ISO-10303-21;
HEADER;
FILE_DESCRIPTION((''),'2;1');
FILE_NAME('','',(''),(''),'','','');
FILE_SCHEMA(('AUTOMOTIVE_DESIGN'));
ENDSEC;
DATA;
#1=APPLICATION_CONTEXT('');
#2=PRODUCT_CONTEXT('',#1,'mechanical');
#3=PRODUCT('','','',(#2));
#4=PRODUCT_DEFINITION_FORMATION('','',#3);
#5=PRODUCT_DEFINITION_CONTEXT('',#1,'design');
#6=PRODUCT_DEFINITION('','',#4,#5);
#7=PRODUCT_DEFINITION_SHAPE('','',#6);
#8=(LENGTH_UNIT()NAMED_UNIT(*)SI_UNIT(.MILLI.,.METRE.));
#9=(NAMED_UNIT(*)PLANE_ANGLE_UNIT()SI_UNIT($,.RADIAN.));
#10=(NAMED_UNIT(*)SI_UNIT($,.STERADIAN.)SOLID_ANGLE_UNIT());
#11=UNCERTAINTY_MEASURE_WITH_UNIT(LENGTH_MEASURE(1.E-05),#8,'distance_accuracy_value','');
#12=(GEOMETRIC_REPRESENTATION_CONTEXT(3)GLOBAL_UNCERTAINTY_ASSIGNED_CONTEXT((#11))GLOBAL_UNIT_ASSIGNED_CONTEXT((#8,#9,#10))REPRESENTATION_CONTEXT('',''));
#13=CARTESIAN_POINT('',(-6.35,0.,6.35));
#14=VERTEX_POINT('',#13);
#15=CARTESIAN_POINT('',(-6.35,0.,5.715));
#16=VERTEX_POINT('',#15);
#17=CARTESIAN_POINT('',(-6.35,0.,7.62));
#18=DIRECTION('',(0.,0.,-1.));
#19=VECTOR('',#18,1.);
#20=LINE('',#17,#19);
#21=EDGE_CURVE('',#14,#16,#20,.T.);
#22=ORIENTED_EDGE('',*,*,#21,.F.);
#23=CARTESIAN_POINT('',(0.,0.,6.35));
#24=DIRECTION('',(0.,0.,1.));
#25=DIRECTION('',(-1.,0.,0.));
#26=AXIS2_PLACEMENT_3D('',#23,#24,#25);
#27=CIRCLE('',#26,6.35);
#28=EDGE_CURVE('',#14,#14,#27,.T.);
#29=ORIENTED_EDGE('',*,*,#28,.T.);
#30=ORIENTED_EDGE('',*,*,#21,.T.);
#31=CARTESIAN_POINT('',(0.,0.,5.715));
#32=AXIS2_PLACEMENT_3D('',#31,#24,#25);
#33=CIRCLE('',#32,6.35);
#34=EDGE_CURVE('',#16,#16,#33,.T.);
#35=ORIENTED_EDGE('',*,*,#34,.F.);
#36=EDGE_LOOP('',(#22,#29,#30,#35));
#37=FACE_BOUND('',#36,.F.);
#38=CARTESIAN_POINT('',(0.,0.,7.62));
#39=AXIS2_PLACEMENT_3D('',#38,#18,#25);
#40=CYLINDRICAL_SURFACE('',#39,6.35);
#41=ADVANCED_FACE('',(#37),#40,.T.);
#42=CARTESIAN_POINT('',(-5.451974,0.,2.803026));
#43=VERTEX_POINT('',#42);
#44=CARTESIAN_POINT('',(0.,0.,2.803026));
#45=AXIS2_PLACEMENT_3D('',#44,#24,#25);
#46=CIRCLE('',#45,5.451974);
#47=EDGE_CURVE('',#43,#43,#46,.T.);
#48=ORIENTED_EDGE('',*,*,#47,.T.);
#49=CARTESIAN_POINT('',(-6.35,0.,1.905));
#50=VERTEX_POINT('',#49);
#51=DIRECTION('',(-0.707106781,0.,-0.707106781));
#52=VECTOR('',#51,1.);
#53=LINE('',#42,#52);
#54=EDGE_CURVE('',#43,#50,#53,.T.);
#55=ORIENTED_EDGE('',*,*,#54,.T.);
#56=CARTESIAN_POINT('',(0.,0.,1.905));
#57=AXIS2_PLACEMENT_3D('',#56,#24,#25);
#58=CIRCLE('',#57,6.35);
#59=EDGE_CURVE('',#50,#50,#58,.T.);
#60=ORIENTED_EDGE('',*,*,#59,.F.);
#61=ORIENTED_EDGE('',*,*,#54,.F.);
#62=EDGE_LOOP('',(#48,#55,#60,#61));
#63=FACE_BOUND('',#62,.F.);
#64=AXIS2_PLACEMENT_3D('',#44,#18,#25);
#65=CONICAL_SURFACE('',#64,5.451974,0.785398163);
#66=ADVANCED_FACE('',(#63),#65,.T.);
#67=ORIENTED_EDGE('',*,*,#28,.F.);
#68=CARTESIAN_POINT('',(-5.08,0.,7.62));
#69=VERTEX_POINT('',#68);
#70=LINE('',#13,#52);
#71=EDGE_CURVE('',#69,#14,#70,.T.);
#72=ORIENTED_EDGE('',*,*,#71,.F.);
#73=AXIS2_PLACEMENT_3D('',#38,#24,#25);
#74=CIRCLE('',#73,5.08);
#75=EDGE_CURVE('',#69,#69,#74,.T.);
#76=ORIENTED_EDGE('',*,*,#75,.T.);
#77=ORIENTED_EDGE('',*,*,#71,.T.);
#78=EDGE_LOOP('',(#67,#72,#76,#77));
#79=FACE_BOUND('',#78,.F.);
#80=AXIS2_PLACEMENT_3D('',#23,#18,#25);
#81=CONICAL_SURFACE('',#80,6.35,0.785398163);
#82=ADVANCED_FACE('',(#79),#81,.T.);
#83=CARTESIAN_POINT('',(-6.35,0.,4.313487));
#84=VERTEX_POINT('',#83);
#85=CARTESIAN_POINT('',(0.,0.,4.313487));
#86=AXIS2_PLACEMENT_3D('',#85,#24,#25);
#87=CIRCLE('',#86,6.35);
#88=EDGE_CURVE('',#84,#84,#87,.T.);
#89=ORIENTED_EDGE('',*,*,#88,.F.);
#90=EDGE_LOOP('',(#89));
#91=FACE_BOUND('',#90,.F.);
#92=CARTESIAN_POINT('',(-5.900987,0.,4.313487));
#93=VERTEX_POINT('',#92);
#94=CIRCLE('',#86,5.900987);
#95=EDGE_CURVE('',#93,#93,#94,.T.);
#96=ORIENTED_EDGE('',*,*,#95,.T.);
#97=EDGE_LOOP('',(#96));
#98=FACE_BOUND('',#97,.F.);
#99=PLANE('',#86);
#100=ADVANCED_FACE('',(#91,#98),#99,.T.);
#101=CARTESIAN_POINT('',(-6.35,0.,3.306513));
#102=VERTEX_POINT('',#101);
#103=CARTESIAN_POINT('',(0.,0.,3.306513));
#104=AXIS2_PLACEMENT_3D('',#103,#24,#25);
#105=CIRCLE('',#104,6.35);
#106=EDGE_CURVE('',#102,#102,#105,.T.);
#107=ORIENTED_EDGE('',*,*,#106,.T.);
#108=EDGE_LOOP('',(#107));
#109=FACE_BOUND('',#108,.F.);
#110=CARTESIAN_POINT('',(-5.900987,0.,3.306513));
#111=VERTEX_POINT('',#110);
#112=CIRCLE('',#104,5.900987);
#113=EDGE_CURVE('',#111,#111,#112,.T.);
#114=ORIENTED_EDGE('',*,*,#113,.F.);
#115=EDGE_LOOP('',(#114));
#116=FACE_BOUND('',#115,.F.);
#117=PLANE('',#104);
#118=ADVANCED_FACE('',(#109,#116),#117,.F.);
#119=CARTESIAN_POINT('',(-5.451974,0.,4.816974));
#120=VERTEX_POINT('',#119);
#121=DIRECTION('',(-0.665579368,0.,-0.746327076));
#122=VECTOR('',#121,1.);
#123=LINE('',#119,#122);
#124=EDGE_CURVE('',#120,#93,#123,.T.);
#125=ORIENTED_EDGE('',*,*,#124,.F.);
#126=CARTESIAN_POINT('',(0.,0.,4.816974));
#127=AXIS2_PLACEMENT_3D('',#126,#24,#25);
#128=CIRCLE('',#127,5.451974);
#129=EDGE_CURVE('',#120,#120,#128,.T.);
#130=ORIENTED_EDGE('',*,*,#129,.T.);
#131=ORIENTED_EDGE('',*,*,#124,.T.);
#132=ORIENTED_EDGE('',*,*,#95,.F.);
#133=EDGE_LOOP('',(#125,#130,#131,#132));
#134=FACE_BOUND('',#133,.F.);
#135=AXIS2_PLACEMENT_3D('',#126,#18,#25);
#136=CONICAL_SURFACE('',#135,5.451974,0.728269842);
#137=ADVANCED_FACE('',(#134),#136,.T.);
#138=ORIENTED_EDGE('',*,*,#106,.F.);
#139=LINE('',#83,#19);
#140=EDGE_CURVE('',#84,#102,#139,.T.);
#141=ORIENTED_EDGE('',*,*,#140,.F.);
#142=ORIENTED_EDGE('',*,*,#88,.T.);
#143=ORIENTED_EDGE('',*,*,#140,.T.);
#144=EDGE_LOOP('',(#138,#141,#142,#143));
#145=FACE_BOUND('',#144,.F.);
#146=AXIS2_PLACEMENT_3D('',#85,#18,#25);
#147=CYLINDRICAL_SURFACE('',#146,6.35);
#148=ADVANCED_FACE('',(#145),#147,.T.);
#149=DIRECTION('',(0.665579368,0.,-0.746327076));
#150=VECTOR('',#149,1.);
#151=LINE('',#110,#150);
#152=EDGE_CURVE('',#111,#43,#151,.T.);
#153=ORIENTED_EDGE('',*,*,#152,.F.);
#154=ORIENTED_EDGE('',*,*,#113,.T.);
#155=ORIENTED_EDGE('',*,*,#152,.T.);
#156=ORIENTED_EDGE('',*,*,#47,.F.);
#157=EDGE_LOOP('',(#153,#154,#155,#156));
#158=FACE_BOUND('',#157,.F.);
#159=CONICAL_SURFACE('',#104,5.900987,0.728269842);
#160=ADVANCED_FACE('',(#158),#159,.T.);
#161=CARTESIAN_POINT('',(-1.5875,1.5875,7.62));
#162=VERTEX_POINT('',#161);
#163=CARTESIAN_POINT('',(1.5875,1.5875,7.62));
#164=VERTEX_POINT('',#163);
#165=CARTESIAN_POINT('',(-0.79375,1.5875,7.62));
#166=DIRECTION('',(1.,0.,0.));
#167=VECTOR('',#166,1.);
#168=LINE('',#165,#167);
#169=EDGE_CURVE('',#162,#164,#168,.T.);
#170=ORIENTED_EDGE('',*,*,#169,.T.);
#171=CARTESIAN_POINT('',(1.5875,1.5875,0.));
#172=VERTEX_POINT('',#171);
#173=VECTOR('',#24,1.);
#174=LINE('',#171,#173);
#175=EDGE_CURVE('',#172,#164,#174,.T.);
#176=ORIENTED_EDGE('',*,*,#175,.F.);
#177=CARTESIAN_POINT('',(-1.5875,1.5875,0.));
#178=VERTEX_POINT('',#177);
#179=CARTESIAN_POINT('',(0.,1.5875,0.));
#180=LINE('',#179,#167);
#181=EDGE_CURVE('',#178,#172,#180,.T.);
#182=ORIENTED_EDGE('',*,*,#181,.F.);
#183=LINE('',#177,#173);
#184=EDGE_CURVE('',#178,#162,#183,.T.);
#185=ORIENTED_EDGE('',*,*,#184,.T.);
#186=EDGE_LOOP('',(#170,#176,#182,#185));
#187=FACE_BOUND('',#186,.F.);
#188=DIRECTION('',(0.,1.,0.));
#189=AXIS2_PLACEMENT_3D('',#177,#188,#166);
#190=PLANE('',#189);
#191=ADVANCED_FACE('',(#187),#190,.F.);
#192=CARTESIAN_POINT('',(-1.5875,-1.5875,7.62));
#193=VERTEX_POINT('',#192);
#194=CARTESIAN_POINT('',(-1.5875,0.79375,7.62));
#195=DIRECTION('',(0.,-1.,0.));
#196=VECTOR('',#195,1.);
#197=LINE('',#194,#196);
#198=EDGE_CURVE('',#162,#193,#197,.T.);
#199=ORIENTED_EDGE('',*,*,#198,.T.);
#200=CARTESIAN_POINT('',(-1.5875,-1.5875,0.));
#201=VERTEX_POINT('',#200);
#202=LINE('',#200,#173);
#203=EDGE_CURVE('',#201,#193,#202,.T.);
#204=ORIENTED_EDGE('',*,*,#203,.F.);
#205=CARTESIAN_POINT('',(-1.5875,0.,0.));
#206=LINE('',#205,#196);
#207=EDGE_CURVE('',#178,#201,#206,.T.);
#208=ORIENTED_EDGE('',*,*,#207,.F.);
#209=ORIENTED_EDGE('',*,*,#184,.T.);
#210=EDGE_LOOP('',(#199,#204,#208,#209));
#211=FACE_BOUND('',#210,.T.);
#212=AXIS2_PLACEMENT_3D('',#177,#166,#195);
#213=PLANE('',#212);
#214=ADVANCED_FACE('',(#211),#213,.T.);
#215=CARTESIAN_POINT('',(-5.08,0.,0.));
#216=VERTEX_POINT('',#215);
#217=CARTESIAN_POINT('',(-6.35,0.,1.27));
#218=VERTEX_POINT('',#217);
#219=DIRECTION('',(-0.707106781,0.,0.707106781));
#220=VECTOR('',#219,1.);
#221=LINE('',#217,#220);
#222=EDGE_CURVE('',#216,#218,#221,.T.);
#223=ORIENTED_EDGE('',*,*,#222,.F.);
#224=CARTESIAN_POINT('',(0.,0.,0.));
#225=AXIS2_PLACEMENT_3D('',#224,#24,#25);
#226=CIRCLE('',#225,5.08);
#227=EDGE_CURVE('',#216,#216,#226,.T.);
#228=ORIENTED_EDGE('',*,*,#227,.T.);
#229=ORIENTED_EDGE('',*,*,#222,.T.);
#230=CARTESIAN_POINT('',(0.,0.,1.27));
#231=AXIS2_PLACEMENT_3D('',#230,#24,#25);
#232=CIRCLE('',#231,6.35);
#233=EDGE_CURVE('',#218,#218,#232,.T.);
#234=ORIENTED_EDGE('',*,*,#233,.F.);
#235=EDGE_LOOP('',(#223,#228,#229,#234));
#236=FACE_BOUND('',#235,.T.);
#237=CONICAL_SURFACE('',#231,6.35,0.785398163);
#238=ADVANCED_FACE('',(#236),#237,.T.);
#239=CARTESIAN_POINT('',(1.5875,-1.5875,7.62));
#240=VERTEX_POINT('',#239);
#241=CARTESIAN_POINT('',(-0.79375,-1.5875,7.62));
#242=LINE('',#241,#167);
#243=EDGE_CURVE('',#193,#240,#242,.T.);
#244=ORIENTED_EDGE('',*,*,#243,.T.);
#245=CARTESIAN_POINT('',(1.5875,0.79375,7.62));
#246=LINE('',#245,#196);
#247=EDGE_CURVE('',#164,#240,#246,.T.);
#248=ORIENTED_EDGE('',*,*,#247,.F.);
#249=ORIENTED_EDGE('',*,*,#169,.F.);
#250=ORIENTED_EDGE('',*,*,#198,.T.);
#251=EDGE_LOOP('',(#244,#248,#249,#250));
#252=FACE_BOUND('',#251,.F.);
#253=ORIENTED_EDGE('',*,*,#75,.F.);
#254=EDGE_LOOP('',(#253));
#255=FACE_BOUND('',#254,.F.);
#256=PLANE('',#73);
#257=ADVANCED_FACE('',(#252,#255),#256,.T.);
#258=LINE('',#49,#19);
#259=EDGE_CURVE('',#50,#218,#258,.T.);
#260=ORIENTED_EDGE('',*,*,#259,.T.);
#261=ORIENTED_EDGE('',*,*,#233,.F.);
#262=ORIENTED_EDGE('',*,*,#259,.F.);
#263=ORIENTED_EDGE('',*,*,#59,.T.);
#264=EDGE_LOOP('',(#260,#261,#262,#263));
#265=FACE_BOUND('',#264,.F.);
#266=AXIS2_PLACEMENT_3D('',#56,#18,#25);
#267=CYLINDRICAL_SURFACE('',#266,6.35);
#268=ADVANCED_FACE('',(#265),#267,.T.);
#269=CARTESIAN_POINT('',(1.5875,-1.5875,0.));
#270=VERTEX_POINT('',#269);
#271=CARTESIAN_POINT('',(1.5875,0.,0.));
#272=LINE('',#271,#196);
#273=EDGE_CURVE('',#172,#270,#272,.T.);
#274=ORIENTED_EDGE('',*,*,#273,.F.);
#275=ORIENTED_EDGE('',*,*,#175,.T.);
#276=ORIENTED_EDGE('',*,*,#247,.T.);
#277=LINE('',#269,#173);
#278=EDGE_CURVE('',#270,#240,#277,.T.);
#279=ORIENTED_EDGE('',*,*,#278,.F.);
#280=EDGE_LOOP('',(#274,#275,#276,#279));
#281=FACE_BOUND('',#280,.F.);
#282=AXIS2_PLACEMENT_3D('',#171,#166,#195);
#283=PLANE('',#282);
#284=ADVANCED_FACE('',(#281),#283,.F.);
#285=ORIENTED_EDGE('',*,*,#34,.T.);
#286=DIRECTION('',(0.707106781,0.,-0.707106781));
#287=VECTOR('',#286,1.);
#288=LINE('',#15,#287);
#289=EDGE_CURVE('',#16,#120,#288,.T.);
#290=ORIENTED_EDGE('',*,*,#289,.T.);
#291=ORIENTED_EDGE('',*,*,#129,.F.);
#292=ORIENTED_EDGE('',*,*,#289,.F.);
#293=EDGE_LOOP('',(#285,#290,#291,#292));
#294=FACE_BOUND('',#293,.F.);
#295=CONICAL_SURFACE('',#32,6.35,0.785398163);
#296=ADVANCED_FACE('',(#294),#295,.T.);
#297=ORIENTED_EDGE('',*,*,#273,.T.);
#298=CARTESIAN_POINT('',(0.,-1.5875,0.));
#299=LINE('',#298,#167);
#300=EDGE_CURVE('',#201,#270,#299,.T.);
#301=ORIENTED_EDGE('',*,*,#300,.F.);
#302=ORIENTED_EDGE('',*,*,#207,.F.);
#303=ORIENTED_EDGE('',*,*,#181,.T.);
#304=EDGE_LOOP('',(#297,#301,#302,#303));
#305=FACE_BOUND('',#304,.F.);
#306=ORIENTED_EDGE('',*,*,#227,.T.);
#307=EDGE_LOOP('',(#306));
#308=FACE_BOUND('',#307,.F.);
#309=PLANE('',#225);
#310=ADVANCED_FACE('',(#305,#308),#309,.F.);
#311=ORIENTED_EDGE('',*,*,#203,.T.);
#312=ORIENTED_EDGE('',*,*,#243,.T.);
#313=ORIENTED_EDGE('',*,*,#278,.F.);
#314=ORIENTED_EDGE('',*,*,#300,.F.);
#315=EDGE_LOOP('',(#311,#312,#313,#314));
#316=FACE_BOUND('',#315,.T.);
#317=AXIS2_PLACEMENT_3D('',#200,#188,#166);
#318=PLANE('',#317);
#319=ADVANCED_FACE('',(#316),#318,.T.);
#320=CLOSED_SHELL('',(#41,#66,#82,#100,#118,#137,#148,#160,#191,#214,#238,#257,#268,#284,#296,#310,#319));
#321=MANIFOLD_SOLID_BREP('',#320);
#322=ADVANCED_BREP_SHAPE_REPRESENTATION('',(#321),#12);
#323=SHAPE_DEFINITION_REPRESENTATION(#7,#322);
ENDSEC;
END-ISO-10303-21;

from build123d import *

# Parameters (mm, degrees)
F2_SIZE  = 1.27
F3_W     = 3.175
F3_H     = 3.175
F4_DEPTH = 25.4


with BuildPart() as f1:
    # F0 (on Front) → F1 (revolve)
    with BuildSketch(Plane.XZ):
        Polygon((-6.35, 0), (0, 0), (0, 7.62), (-6.35, 7.62), (-6.35, 5.715), (-5.451974, 4.816974), (-5.900987, 4.313487), (-6.35, 4.313487), (-6.35, 3.306513), (-5.900987, 3.306513), (-5.451974, 2.803026), (-6.35, 1.905), align=None)
    revolve(axis=Axis((0, 0, 3.81), (0, 0, 1)))

    # F2
    f2_edges = [f1.edges().sort_by_distance(p)[0] for p in [
        (6.35, 0, 7.62),
        (6.35, 0, 0),
    ]]
    chamfer(f2_edges, length=F2_SIZE)

    # F3 (on face) → F4 (cut)
    with BuildSketch(Plane(origin=(0, 0, 0), x_dir=(1, 0, 0), z_dir=(0, 0, -1))):
        Rectangle(F3_W, F3_H)
    extrude(amount=-F4_DEPTH, mode=Mode.SUBTRACT)


solid = f1.part
